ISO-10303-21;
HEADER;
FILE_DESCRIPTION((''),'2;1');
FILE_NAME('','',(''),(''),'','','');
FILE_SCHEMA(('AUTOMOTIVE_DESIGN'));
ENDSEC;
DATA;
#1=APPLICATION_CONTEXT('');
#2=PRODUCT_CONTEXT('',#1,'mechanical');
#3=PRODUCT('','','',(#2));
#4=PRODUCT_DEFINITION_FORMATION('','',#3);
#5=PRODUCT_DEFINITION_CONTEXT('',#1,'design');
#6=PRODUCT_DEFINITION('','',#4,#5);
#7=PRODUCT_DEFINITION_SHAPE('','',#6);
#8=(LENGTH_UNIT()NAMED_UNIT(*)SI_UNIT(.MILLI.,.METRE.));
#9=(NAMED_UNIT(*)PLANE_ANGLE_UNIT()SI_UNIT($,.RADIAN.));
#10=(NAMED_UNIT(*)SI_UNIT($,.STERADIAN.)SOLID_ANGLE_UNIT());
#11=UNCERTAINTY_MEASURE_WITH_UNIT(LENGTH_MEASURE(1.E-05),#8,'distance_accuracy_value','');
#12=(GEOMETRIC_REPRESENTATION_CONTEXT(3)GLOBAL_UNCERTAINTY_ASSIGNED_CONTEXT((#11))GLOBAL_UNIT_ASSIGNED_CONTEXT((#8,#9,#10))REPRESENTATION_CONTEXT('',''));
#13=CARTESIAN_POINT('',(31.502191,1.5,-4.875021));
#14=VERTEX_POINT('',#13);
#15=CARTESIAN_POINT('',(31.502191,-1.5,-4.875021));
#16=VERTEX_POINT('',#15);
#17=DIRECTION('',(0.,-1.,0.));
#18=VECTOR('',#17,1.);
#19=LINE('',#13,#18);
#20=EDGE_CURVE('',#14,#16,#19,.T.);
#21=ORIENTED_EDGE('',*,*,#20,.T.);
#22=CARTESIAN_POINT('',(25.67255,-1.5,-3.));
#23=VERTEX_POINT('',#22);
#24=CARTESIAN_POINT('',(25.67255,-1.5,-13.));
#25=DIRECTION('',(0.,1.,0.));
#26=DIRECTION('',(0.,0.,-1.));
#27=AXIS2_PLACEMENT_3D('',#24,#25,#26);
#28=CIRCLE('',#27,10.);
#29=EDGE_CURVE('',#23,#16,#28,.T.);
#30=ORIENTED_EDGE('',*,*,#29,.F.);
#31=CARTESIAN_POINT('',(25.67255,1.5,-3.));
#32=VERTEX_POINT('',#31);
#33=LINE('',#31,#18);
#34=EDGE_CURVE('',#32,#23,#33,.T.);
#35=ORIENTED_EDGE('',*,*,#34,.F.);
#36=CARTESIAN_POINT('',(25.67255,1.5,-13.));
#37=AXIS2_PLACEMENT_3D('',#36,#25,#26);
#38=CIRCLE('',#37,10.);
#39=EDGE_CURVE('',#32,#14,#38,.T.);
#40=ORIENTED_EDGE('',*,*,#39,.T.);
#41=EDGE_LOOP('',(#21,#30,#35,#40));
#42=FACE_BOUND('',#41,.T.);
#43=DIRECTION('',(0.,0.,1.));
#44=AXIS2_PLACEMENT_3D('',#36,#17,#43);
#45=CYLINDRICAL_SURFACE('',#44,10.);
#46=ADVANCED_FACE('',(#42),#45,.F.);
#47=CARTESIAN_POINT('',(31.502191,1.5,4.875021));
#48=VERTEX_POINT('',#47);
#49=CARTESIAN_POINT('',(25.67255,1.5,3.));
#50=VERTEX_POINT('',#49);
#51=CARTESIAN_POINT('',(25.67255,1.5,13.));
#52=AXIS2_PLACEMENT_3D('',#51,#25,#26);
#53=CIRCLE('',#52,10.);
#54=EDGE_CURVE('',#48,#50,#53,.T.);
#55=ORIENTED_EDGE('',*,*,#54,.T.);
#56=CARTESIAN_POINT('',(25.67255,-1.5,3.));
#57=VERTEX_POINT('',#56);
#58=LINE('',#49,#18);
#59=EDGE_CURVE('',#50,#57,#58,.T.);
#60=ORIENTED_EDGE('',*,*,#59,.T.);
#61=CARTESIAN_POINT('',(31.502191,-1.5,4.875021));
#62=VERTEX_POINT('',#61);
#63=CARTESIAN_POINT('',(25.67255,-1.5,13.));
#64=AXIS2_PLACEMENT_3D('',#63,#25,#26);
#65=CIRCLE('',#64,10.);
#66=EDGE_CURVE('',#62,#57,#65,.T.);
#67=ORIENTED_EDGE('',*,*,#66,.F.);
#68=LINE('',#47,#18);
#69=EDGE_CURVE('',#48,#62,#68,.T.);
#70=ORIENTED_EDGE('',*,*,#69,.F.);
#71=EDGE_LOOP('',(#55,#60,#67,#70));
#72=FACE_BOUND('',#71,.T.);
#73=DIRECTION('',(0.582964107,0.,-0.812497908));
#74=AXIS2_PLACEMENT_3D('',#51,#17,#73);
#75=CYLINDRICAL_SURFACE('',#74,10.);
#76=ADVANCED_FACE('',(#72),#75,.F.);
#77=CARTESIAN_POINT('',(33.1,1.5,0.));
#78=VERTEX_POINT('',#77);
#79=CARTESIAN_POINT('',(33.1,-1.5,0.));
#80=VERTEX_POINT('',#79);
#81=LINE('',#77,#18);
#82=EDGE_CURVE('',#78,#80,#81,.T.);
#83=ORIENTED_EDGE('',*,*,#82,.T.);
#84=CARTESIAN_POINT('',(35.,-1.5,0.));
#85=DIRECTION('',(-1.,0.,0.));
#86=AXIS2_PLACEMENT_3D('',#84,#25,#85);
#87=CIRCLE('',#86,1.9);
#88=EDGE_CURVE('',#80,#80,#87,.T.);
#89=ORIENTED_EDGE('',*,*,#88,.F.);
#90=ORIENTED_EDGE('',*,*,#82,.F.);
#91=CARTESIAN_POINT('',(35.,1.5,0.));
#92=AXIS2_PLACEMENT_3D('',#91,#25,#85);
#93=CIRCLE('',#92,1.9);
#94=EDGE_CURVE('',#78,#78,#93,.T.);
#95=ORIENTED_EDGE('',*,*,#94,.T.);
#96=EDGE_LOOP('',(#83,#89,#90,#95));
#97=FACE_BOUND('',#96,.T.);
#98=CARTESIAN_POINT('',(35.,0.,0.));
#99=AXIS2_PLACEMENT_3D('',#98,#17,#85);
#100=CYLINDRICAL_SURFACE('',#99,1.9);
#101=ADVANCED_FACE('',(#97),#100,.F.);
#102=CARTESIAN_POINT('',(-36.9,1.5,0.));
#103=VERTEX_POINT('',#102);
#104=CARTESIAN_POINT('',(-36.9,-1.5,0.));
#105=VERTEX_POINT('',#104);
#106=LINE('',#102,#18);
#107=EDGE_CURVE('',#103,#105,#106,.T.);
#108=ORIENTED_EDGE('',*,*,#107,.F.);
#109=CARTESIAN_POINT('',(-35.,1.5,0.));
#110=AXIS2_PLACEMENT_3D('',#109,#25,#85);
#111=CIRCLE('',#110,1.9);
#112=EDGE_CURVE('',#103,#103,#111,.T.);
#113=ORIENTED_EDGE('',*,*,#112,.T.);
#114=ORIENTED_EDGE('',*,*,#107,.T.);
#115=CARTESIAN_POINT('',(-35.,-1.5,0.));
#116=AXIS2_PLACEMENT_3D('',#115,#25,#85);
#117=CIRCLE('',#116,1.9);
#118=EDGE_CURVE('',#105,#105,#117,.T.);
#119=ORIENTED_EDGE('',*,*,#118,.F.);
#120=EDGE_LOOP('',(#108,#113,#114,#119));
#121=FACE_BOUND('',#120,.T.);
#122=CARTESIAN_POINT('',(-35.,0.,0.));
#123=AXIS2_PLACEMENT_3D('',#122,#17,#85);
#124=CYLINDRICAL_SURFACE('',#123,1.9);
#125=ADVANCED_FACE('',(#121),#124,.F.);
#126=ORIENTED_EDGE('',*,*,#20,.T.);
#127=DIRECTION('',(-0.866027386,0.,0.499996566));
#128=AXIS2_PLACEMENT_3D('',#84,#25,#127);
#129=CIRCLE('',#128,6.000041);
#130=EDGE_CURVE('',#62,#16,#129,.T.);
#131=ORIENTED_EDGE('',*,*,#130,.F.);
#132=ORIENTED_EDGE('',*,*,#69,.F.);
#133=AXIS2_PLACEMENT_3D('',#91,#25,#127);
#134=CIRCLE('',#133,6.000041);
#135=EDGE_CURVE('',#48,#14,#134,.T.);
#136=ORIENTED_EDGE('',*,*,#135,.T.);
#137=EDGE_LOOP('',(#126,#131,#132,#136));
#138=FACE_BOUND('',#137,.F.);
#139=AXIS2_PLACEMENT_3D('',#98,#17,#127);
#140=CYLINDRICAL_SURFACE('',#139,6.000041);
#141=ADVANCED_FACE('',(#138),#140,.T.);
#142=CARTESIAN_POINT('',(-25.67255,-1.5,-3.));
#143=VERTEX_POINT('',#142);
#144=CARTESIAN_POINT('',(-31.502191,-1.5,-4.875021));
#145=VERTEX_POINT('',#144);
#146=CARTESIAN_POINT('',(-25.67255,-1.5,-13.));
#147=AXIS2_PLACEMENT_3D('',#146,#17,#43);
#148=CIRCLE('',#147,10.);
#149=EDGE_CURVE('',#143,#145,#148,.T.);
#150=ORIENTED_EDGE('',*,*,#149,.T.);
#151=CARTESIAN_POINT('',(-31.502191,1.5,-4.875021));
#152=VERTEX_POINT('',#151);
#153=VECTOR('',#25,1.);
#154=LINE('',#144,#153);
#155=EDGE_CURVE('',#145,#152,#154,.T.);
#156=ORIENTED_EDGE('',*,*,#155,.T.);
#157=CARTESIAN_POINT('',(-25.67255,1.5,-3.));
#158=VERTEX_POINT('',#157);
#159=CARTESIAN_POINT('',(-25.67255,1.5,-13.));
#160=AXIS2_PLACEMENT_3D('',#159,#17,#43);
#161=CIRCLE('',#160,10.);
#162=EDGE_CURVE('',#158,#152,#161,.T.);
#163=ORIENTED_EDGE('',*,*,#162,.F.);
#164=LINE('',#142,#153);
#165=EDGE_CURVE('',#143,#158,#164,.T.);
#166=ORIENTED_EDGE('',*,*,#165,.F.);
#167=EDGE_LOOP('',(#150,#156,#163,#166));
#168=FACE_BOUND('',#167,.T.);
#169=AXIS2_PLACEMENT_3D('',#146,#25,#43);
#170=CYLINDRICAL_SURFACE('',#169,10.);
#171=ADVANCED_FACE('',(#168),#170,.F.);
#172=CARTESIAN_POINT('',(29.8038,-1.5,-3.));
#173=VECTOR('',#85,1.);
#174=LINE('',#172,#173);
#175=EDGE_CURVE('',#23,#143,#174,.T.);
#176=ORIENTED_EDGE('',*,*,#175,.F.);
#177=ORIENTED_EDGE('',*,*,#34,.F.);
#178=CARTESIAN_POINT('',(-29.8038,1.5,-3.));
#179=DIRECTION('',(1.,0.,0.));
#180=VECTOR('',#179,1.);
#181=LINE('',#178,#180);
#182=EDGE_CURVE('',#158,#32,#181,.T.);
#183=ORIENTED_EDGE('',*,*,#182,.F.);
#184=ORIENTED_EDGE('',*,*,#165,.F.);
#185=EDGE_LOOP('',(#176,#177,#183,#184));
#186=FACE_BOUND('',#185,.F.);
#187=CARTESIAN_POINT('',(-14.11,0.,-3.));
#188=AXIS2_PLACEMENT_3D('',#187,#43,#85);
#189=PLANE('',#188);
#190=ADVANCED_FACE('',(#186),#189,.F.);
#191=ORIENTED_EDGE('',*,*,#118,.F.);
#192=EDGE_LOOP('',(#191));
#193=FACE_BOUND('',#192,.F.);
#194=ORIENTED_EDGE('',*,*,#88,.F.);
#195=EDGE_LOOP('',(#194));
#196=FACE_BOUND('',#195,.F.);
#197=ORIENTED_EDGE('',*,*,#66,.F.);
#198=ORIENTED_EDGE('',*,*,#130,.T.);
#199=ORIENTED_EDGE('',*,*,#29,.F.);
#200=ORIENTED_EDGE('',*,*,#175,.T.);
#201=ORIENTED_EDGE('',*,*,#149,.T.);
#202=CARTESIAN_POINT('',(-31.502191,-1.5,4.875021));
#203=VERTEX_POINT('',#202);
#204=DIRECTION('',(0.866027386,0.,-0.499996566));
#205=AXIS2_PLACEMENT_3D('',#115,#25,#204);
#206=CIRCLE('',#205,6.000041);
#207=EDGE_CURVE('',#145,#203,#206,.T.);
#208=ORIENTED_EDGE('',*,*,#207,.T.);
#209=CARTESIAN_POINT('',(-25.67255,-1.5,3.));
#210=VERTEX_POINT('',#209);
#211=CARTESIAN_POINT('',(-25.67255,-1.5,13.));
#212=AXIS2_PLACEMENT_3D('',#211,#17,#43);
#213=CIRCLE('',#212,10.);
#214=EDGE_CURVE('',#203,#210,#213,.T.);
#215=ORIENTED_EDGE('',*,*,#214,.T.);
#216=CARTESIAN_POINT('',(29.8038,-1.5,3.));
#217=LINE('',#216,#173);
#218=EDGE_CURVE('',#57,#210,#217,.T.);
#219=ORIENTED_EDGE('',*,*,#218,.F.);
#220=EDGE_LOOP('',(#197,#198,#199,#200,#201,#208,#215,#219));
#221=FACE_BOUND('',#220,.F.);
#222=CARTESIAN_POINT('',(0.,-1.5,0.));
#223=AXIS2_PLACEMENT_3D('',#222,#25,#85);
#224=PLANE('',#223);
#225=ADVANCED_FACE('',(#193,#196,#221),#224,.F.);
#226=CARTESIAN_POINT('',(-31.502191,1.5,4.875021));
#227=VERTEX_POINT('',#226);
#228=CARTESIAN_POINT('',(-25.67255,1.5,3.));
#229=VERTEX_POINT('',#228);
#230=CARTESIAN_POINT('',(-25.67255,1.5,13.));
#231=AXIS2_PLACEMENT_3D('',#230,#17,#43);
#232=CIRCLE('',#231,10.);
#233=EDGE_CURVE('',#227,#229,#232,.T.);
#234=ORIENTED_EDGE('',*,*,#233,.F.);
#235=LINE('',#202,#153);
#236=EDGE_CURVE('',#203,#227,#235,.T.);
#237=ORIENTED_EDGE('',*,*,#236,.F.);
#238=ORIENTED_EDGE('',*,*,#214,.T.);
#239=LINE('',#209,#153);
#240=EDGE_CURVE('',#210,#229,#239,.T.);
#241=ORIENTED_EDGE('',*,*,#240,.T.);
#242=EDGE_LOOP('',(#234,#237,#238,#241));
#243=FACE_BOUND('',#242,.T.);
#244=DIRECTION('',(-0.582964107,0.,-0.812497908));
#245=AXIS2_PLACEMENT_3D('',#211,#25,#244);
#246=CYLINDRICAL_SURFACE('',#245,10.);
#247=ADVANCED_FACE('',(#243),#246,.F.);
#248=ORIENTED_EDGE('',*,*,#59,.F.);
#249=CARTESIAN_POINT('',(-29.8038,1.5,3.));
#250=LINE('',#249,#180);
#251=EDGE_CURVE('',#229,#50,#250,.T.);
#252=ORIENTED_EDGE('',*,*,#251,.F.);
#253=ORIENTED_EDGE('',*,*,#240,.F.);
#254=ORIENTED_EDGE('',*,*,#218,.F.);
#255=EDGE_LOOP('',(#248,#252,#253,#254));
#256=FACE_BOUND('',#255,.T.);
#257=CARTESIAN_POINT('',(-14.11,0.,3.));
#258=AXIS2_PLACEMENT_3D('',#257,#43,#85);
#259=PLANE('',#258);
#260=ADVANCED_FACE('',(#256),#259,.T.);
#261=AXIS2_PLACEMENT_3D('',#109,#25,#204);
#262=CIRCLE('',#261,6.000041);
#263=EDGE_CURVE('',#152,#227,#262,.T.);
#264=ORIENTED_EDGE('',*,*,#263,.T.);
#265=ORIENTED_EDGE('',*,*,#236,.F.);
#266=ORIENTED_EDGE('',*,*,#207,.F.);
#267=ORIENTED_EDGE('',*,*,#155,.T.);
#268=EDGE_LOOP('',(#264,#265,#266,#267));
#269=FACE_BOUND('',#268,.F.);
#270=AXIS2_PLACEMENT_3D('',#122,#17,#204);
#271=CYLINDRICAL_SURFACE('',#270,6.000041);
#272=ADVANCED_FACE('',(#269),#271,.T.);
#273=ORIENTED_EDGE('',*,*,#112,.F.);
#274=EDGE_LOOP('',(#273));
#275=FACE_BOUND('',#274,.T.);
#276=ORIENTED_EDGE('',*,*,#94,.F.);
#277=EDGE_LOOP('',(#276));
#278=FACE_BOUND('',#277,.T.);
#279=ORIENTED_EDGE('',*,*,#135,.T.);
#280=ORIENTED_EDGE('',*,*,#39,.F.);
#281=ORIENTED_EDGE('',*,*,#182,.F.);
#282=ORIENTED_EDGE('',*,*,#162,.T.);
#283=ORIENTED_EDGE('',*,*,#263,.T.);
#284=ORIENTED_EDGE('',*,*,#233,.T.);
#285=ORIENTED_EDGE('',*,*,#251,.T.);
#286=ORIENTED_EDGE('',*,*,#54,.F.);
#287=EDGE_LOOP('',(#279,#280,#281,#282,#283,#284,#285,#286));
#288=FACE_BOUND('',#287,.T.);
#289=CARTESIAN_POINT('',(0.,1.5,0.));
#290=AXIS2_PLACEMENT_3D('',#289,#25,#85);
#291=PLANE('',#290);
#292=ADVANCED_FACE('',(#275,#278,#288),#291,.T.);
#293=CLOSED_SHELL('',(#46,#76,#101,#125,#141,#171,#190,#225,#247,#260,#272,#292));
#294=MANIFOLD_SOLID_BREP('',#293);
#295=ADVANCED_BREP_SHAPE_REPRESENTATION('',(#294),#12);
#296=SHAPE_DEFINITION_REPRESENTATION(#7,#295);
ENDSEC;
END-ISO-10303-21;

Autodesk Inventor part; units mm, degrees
ref_plane "YZ Plane" through (0, 0, 0) normal (1, 0, 0) x (0, 1, 0)
ref_plane "XZ Plane" through (0, 0, 0) normal (0, 1, 0) x (-1, 0, 0)
ref_plane "XY Plane" through (0, 0, 0) normal (0, 0, 1) x (1, 0, 0)
sketch "Эскиз1" plane through (0, 0, 0) normal (0, 1, 0) x (-1, 0, 0)
  arc A0 (29.8038, -3) -> (29.8038, 3) centre (35, 0) ccw
  line L0 (30.0057, 0) -> (28.0258, 0)
  circle A1 centre (35, 0) radius 1.9
  arc A2 (-29.8038, 3) -> (-29.8038, -3) centre (-35, 0) ccw
  line L1 (-29.8038, -3) -> (29.8038, -3)
  line L2 (-29.8038, 3) -> (29.8038, 3)
  circle A3 centre (-35, 0) radius 1.9
  line L3 (32.9518, 0) -> (37.6343, 0) construction
  line L4 (14.11, -3) -> (14.11, 3)
  line L5 (0, -3) -> (0, 3)
  point P0 (0, 0)
  point P1 (25.2378, -3)
  point P2 (25.2378, 3)
  point P3 (0, 0)
  dimension "d2" = 6
  dimension "d3" = 35
  dimension "d4" = 3.8
  dimension "d9" = 6
extrude "Выдавливание1" add sketch "Эскиз1" along normal mid plane 3
fillet "Сопряжение1" radius 10 4 edges at (-29.8038, 0, 3) (-29.8038, 0, -3) (29.8038, 0, -3) (29.8038, 0, 3)
properties part number "Рычаг"
